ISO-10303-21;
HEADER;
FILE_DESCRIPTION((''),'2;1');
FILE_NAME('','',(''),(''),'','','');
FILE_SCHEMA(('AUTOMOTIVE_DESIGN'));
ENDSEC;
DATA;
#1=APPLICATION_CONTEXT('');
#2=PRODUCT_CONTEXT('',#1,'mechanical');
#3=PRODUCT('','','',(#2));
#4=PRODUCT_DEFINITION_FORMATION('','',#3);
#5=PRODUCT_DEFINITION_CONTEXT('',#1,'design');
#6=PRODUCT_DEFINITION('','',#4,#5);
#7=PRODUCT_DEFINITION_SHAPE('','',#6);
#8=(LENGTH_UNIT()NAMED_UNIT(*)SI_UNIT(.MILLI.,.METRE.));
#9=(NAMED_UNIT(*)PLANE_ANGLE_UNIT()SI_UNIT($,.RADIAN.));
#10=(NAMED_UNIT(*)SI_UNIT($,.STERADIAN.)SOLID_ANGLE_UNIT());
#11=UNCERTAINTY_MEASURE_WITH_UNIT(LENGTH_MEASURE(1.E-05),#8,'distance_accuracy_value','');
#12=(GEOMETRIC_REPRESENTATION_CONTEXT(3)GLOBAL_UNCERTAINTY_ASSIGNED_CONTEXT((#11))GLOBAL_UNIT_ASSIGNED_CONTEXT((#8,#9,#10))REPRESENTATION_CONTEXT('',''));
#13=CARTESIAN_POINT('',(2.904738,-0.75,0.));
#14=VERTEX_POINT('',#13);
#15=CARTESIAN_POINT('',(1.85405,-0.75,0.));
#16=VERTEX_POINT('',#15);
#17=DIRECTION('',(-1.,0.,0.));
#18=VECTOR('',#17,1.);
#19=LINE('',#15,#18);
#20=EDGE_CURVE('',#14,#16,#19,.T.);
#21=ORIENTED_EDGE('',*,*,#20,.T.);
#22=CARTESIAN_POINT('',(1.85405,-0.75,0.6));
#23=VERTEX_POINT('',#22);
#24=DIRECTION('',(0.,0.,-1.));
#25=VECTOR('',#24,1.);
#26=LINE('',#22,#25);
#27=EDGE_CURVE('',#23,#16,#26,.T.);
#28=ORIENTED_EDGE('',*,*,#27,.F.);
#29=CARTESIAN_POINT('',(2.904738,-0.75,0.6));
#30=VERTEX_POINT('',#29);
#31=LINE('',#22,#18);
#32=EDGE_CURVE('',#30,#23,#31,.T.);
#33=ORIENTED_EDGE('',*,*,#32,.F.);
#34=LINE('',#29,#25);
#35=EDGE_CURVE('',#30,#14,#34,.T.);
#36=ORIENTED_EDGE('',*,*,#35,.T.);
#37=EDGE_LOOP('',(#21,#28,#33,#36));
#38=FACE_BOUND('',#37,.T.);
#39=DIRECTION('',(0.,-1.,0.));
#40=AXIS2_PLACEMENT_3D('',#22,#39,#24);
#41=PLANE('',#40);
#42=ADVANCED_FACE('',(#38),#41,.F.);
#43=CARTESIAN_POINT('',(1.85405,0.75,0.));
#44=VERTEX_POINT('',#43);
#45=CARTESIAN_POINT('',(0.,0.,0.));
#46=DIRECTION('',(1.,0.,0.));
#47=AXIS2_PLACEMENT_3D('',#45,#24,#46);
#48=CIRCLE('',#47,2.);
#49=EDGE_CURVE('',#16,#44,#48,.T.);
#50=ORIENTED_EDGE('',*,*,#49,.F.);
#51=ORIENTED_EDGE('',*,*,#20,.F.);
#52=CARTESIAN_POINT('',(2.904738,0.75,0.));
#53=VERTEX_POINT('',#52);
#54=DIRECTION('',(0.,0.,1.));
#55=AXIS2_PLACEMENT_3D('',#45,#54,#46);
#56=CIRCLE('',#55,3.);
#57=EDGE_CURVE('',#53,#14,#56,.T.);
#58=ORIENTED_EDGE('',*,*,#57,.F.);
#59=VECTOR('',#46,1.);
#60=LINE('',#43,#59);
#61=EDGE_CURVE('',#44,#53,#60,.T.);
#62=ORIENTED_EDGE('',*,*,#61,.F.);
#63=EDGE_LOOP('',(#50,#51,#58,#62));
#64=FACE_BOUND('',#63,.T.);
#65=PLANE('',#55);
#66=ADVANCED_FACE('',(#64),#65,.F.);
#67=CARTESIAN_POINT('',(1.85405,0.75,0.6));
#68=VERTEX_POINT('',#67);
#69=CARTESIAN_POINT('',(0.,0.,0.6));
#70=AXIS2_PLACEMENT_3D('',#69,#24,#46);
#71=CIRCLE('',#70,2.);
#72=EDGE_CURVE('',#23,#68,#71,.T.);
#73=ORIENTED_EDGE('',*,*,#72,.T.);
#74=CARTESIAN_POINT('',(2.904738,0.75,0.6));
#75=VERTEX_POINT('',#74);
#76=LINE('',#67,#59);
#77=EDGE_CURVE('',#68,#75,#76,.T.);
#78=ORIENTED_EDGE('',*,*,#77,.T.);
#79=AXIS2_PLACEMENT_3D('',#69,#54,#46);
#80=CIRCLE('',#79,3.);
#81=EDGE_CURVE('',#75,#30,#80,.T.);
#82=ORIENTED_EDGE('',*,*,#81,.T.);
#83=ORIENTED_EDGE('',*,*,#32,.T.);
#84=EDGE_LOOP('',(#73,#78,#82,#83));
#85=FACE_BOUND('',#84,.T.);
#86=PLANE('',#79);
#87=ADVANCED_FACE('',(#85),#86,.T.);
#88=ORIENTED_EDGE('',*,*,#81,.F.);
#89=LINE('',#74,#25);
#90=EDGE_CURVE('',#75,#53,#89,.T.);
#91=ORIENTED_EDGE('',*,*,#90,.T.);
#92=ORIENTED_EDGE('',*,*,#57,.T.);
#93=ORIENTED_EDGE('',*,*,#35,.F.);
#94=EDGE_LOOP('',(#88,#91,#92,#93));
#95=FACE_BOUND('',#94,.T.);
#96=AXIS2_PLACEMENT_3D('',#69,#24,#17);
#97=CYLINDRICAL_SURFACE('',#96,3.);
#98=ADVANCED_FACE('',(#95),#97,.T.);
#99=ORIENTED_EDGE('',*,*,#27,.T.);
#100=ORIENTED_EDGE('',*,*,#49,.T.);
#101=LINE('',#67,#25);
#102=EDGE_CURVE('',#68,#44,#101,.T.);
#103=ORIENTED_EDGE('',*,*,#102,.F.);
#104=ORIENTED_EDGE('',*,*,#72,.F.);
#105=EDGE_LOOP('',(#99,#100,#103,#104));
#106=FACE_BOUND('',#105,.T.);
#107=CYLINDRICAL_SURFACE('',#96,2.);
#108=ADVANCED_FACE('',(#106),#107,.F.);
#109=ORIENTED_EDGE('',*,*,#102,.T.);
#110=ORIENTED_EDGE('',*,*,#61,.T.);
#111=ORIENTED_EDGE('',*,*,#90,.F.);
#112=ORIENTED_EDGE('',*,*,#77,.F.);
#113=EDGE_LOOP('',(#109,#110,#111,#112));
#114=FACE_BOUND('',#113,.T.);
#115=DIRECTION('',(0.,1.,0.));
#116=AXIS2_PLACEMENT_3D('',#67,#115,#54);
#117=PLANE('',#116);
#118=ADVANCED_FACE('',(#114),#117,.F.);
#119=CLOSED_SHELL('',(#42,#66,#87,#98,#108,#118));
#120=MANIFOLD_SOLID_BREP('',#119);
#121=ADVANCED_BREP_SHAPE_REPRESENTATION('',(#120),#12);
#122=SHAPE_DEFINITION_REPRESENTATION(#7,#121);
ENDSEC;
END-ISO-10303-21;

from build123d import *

# Parameters (mm, degrees)
BOSS_EXTRUDE1_DEPTH = 0.6


with BuildPart() as part:
    # Sketch1 → Boss-Extrude1 (new body)
    with BuildSketch(Plane.XY):
        with BuildLine():
            Line((1.854049622, 0.75), (2.90473751, 0.75))
            ThreePointArc((2.90473751, 0.75), (-3, 0), (2.90473751, -0.75))
            Line((2.90473751, -0.75), (1.854049622, -0.75))
            ThreePointArc((1.854049622, -0.75), (-2, 0), (1.854049622, 0.75))
        make_face()
    extrude(amount=BOSS_EXTRUDE1_DEPTH)


solid = part.part
